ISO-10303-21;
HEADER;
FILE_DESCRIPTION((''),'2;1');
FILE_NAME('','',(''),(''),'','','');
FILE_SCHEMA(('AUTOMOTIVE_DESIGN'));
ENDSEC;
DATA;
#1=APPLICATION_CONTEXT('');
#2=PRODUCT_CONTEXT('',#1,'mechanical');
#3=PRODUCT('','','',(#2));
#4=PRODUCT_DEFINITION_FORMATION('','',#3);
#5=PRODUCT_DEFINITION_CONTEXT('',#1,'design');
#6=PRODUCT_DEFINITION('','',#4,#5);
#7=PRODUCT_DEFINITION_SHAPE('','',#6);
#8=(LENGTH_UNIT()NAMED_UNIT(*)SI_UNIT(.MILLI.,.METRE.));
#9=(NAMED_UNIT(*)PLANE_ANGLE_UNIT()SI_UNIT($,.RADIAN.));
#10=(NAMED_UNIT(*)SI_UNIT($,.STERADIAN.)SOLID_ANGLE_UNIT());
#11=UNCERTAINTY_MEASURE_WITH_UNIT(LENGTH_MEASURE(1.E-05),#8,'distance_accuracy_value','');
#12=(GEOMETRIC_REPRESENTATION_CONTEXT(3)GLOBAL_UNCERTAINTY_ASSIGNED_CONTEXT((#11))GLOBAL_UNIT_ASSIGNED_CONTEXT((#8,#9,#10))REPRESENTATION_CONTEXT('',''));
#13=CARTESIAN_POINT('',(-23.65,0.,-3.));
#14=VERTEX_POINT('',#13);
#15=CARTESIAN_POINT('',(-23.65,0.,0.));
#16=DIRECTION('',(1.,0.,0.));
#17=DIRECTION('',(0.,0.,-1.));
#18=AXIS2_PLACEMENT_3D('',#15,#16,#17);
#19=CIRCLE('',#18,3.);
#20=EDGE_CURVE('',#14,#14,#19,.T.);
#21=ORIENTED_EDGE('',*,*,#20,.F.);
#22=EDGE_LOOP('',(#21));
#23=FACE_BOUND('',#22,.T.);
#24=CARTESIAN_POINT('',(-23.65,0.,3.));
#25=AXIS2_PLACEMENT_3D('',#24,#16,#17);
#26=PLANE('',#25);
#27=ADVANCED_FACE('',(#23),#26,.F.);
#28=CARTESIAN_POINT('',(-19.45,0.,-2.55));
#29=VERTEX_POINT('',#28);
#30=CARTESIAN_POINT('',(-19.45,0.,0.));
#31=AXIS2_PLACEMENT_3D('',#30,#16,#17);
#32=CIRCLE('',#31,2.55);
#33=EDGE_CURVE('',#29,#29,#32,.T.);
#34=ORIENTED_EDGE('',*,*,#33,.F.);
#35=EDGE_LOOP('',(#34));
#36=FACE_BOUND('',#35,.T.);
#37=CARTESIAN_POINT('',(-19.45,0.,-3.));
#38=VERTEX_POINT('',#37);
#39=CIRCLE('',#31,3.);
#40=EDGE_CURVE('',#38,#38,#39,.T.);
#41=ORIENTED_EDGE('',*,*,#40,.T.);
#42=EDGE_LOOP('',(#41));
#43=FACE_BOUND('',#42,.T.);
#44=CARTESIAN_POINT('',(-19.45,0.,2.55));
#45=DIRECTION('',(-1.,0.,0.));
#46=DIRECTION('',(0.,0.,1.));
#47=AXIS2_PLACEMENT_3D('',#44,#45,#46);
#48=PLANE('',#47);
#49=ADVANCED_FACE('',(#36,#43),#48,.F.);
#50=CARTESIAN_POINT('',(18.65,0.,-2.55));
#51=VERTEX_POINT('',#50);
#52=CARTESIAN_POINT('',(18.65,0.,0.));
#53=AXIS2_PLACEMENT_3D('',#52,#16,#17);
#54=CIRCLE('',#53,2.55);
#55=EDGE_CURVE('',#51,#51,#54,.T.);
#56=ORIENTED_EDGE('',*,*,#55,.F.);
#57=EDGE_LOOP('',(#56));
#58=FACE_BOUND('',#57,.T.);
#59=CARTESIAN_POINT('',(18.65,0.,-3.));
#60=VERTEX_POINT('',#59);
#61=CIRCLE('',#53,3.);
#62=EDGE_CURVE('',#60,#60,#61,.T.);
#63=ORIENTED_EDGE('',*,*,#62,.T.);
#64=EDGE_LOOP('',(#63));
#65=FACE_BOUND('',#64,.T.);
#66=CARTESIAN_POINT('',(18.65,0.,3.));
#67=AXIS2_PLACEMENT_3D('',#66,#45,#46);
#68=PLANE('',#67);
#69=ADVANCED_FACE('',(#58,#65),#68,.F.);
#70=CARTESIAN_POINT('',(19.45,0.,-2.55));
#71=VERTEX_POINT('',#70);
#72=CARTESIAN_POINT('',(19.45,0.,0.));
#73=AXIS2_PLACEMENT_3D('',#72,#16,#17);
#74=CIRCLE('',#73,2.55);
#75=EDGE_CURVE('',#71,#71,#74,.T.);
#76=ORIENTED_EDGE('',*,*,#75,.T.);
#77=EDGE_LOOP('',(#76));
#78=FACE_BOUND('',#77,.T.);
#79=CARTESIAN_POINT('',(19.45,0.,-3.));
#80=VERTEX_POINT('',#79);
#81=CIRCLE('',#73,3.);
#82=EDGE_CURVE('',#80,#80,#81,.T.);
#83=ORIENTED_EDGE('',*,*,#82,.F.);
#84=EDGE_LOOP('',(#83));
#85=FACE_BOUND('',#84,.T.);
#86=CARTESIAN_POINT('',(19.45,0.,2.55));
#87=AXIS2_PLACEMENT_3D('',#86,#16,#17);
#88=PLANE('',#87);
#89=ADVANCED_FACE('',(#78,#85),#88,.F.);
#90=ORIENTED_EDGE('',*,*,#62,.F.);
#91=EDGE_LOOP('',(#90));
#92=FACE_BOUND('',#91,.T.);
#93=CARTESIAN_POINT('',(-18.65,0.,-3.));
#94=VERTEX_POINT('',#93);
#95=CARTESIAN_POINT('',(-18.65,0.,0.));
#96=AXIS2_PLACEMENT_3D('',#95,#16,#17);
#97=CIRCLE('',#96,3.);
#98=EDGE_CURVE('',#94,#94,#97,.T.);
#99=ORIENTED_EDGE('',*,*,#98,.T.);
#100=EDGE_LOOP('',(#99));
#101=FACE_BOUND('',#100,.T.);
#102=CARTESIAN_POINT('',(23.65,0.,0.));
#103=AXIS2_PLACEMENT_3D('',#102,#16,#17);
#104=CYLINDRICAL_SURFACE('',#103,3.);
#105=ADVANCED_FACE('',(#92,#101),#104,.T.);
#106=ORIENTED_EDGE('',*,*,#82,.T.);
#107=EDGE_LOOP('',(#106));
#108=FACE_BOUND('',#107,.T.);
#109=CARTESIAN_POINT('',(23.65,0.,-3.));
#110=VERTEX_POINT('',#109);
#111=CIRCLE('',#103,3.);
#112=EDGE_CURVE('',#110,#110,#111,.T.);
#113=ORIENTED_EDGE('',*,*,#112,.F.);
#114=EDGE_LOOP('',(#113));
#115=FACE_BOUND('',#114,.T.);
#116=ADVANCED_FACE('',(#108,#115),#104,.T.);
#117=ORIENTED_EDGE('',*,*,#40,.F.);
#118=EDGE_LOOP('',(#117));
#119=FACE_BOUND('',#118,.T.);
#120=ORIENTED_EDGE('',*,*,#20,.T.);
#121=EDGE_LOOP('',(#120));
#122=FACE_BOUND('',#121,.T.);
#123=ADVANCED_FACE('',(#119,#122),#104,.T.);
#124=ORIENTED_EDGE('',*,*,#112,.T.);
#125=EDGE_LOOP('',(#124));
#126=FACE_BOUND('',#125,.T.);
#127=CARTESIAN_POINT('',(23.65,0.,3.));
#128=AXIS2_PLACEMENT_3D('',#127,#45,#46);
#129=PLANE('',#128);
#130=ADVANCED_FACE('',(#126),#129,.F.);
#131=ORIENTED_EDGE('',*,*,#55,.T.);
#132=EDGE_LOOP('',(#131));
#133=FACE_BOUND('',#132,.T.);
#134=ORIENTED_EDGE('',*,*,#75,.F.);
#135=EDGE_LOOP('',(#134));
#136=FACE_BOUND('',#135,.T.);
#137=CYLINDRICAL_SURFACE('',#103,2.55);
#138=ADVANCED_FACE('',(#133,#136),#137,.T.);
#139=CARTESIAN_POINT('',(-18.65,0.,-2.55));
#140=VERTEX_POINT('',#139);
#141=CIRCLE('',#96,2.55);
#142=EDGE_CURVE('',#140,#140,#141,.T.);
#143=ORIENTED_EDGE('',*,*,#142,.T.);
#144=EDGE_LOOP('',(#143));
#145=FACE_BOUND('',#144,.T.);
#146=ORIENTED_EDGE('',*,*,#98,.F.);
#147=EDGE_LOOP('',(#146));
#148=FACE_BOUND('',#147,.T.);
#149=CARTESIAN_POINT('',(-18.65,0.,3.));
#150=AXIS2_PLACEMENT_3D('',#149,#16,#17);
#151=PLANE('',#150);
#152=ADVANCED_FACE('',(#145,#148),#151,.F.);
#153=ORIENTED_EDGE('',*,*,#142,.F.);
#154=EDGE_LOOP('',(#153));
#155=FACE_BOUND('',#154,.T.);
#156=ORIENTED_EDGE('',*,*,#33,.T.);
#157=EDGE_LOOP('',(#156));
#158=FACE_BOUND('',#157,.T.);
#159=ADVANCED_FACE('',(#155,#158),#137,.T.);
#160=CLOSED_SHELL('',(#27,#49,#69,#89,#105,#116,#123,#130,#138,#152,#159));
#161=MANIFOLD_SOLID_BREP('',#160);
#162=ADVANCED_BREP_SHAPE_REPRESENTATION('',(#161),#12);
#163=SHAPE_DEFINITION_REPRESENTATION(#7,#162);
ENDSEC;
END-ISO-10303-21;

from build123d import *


with BuildPart() as part:
    # Croquis1 → Revolución1 (revolve)
    with BuildSketch(Plane(origin=(0, 0, 0), x_dir=(-1, 0, 0), z_dir=(0, 1, 0)), mode=Mode.PRIVATE) as revoluci_n1_sk:
        Polygon((-18.65, 3), (18.65, 3), (18.65, 2.55), (19.45, 2.55), (19.45, 3), (23.65, 3), (23.65, 0), (-23.65, 0), (-23.65, 3), (-19.45, 3), (-19.45, 2.55), (-18.65, 2.55), align=None)
    revolve(revoluci_n1_sk.sketch.rotate(Axis((23.65, 0, 0), (-1, 0, 0)), 180), axis=Axis((23.65, 0, 0), (-1, 0, 0)))


solid = part.part
